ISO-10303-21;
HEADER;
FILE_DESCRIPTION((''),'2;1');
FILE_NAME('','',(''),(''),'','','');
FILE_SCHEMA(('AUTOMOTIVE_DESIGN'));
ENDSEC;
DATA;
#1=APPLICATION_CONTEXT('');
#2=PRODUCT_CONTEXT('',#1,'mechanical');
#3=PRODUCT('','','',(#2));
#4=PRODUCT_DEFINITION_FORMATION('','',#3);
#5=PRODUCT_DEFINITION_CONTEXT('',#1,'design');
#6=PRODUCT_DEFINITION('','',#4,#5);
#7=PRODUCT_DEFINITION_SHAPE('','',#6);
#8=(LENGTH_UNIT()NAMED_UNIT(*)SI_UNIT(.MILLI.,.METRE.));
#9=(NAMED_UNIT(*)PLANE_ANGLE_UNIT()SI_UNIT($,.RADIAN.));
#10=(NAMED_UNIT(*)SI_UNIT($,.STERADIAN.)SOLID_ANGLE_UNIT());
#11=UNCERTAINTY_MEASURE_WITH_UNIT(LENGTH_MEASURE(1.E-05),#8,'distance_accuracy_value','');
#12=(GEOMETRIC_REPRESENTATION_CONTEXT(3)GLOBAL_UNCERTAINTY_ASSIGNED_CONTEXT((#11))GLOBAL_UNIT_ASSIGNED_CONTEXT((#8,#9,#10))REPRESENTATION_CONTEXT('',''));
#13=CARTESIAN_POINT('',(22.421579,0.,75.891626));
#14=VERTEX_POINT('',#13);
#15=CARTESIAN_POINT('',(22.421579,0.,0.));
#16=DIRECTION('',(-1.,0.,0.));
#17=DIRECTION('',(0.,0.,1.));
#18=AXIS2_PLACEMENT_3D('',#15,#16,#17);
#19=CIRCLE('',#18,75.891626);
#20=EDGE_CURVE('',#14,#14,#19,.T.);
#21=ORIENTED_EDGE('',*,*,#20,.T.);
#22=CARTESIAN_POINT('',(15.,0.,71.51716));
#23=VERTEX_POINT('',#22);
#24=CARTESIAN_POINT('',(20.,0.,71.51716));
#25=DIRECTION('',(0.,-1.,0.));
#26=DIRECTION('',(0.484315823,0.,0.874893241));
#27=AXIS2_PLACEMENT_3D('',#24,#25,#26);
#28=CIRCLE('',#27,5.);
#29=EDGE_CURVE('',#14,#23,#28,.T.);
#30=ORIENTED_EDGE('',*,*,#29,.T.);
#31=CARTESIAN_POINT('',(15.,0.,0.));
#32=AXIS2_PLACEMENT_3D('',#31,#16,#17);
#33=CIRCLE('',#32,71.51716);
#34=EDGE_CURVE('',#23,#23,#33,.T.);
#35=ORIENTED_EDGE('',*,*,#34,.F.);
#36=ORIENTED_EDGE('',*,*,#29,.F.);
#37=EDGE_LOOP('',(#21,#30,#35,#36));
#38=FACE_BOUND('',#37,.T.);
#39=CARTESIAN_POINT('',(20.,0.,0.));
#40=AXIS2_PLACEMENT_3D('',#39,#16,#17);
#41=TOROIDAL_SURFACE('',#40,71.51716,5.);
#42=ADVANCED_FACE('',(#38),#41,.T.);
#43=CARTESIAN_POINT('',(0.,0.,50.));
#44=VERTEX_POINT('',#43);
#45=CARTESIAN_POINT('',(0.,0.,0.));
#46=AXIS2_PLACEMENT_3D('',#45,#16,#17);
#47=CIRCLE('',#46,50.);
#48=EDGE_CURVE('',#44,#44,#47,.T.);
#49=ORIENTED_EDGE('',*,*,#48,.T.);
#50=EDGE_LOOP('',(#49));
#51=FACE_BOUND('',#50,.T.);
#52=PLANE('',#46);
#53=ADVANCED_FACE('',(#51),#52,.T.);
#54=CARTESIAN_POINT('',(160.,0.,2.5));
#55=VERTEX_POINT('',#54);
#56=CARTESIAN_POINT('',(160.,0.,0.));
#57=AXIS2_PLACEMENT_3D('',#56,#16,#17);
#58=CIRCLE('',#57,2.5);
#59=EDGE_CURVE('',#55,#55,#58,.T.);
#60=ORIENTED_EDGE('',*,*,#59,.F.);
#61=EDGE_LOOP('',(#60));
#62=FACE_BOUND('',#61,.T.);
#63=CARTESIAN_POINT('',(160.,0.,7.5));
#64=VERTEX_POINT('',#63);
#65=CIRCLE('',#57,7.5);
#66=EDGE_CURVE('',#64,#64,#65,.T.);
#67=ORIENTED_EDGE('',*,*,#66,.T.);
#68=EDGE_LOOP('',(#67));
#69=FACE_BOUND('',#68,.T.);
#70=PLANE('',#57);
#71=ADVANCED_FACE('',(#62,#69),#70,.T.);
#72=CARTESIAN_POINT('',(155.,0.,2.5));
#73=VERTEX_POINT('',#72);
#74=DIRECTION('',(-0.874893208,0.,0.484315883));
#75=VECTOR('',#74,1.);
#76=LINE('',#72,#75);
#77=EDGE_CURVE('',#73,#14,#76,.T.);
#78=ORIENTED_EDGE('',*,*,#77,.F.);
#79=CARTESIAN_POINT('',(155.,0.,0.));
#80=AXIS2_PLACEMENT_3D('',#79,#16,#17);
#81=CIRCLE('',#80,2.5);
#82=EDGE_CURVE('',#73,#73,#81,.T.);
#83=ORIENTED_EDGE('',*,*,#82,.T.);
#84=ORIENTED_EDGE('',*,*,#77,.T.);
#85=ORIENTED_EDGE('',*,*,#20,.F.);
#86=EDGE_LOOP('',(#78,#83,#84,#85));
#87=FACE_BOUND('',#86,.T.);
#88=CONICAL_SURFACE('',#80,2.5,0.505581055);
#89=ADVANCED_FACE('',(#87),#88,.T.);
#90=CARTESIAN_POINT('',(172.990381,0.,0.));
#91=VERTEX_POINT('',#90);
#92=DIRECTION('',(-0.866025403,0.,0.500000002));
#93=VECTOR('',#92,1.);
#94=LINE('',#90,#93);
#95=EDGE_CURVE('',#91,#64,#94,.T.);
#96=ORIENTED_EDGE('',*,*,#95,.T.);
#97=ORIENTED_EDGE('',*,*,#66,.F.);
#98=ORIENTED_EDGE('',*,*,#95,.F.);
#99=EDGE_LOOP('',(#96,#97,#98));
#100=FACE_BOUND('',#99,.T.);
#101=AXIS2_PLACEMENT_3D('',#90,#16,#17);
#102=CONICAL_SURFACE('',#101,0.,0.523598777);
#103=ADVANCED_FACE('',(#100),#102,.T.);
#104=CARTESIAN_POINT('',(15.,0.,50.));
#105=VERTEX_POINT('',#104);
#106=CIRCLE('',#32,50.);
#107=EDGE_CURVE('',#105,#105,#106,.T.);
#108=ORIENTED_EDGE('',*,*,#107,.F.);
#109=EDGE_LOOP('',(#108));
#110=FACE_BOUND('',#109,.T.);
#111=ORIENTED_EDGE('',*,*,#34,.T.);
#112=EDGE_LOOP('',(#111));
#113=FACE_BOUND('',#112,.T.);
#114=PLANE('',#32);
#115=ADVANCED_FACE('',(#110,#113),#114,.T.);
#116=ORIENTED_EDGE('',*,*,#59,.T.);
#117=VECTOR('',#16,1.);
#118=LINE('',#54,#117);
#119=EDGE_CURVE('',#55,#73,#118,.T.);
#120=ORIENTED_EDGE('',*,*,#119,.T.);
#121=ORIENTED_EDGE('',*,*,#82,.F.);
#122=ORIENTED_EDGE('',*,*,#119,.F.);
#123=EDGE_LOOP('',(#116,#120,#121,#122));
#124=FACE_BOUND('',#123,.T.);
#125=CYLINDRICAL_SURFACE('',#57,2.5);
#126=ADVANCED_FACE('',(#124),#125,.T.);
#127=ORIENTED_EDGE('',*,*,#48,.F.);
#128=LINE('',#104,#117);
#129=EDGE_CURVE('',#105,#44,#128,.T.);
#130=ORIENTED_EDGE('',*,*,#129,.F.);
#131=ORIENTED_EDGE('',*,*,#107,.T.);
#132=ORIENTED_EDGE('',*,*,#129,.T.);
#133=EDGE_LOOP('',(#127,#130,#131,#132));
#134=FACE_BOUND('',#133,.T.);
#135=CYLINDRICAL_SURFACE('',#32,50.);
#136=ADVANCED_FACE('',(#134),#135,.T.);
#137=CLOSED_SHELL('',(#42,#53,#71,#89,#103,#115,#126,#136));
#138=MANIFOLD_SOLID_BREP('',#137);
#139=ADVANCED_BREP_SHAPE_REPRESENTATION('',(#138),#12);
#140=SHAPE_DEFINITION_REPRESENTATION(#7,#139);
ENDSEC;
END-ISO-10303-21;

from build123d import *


with BuildPart() as f1:
    # F0 (on Front) → F1 (revolve)
    with BuildSketch(Plane.XZ):
        with BuildLine():
            Line((0, 50), (0, 0))
            Line((0, 0), (172.990381, 0))
            Line((172.990381, 0), (160, 7.5))
            Line((160, 7.5), (160, 2.5))
            Line((160, 2.5), (155, 2.5))
            Line((155, 2.5), (22.421579, 75.891626))
            ThreePointArc((22.421579, 75.891626), (17.461092, 75.824589), (15, 71.51716))
            Line((15, 71.51716), (15, 50))
            Line((15, 50), (0, 50))
        make_face()
    revolve(axis=Axis((-26.037737, 0, 0), (-1, 0, 0)))


solid = f1.part
